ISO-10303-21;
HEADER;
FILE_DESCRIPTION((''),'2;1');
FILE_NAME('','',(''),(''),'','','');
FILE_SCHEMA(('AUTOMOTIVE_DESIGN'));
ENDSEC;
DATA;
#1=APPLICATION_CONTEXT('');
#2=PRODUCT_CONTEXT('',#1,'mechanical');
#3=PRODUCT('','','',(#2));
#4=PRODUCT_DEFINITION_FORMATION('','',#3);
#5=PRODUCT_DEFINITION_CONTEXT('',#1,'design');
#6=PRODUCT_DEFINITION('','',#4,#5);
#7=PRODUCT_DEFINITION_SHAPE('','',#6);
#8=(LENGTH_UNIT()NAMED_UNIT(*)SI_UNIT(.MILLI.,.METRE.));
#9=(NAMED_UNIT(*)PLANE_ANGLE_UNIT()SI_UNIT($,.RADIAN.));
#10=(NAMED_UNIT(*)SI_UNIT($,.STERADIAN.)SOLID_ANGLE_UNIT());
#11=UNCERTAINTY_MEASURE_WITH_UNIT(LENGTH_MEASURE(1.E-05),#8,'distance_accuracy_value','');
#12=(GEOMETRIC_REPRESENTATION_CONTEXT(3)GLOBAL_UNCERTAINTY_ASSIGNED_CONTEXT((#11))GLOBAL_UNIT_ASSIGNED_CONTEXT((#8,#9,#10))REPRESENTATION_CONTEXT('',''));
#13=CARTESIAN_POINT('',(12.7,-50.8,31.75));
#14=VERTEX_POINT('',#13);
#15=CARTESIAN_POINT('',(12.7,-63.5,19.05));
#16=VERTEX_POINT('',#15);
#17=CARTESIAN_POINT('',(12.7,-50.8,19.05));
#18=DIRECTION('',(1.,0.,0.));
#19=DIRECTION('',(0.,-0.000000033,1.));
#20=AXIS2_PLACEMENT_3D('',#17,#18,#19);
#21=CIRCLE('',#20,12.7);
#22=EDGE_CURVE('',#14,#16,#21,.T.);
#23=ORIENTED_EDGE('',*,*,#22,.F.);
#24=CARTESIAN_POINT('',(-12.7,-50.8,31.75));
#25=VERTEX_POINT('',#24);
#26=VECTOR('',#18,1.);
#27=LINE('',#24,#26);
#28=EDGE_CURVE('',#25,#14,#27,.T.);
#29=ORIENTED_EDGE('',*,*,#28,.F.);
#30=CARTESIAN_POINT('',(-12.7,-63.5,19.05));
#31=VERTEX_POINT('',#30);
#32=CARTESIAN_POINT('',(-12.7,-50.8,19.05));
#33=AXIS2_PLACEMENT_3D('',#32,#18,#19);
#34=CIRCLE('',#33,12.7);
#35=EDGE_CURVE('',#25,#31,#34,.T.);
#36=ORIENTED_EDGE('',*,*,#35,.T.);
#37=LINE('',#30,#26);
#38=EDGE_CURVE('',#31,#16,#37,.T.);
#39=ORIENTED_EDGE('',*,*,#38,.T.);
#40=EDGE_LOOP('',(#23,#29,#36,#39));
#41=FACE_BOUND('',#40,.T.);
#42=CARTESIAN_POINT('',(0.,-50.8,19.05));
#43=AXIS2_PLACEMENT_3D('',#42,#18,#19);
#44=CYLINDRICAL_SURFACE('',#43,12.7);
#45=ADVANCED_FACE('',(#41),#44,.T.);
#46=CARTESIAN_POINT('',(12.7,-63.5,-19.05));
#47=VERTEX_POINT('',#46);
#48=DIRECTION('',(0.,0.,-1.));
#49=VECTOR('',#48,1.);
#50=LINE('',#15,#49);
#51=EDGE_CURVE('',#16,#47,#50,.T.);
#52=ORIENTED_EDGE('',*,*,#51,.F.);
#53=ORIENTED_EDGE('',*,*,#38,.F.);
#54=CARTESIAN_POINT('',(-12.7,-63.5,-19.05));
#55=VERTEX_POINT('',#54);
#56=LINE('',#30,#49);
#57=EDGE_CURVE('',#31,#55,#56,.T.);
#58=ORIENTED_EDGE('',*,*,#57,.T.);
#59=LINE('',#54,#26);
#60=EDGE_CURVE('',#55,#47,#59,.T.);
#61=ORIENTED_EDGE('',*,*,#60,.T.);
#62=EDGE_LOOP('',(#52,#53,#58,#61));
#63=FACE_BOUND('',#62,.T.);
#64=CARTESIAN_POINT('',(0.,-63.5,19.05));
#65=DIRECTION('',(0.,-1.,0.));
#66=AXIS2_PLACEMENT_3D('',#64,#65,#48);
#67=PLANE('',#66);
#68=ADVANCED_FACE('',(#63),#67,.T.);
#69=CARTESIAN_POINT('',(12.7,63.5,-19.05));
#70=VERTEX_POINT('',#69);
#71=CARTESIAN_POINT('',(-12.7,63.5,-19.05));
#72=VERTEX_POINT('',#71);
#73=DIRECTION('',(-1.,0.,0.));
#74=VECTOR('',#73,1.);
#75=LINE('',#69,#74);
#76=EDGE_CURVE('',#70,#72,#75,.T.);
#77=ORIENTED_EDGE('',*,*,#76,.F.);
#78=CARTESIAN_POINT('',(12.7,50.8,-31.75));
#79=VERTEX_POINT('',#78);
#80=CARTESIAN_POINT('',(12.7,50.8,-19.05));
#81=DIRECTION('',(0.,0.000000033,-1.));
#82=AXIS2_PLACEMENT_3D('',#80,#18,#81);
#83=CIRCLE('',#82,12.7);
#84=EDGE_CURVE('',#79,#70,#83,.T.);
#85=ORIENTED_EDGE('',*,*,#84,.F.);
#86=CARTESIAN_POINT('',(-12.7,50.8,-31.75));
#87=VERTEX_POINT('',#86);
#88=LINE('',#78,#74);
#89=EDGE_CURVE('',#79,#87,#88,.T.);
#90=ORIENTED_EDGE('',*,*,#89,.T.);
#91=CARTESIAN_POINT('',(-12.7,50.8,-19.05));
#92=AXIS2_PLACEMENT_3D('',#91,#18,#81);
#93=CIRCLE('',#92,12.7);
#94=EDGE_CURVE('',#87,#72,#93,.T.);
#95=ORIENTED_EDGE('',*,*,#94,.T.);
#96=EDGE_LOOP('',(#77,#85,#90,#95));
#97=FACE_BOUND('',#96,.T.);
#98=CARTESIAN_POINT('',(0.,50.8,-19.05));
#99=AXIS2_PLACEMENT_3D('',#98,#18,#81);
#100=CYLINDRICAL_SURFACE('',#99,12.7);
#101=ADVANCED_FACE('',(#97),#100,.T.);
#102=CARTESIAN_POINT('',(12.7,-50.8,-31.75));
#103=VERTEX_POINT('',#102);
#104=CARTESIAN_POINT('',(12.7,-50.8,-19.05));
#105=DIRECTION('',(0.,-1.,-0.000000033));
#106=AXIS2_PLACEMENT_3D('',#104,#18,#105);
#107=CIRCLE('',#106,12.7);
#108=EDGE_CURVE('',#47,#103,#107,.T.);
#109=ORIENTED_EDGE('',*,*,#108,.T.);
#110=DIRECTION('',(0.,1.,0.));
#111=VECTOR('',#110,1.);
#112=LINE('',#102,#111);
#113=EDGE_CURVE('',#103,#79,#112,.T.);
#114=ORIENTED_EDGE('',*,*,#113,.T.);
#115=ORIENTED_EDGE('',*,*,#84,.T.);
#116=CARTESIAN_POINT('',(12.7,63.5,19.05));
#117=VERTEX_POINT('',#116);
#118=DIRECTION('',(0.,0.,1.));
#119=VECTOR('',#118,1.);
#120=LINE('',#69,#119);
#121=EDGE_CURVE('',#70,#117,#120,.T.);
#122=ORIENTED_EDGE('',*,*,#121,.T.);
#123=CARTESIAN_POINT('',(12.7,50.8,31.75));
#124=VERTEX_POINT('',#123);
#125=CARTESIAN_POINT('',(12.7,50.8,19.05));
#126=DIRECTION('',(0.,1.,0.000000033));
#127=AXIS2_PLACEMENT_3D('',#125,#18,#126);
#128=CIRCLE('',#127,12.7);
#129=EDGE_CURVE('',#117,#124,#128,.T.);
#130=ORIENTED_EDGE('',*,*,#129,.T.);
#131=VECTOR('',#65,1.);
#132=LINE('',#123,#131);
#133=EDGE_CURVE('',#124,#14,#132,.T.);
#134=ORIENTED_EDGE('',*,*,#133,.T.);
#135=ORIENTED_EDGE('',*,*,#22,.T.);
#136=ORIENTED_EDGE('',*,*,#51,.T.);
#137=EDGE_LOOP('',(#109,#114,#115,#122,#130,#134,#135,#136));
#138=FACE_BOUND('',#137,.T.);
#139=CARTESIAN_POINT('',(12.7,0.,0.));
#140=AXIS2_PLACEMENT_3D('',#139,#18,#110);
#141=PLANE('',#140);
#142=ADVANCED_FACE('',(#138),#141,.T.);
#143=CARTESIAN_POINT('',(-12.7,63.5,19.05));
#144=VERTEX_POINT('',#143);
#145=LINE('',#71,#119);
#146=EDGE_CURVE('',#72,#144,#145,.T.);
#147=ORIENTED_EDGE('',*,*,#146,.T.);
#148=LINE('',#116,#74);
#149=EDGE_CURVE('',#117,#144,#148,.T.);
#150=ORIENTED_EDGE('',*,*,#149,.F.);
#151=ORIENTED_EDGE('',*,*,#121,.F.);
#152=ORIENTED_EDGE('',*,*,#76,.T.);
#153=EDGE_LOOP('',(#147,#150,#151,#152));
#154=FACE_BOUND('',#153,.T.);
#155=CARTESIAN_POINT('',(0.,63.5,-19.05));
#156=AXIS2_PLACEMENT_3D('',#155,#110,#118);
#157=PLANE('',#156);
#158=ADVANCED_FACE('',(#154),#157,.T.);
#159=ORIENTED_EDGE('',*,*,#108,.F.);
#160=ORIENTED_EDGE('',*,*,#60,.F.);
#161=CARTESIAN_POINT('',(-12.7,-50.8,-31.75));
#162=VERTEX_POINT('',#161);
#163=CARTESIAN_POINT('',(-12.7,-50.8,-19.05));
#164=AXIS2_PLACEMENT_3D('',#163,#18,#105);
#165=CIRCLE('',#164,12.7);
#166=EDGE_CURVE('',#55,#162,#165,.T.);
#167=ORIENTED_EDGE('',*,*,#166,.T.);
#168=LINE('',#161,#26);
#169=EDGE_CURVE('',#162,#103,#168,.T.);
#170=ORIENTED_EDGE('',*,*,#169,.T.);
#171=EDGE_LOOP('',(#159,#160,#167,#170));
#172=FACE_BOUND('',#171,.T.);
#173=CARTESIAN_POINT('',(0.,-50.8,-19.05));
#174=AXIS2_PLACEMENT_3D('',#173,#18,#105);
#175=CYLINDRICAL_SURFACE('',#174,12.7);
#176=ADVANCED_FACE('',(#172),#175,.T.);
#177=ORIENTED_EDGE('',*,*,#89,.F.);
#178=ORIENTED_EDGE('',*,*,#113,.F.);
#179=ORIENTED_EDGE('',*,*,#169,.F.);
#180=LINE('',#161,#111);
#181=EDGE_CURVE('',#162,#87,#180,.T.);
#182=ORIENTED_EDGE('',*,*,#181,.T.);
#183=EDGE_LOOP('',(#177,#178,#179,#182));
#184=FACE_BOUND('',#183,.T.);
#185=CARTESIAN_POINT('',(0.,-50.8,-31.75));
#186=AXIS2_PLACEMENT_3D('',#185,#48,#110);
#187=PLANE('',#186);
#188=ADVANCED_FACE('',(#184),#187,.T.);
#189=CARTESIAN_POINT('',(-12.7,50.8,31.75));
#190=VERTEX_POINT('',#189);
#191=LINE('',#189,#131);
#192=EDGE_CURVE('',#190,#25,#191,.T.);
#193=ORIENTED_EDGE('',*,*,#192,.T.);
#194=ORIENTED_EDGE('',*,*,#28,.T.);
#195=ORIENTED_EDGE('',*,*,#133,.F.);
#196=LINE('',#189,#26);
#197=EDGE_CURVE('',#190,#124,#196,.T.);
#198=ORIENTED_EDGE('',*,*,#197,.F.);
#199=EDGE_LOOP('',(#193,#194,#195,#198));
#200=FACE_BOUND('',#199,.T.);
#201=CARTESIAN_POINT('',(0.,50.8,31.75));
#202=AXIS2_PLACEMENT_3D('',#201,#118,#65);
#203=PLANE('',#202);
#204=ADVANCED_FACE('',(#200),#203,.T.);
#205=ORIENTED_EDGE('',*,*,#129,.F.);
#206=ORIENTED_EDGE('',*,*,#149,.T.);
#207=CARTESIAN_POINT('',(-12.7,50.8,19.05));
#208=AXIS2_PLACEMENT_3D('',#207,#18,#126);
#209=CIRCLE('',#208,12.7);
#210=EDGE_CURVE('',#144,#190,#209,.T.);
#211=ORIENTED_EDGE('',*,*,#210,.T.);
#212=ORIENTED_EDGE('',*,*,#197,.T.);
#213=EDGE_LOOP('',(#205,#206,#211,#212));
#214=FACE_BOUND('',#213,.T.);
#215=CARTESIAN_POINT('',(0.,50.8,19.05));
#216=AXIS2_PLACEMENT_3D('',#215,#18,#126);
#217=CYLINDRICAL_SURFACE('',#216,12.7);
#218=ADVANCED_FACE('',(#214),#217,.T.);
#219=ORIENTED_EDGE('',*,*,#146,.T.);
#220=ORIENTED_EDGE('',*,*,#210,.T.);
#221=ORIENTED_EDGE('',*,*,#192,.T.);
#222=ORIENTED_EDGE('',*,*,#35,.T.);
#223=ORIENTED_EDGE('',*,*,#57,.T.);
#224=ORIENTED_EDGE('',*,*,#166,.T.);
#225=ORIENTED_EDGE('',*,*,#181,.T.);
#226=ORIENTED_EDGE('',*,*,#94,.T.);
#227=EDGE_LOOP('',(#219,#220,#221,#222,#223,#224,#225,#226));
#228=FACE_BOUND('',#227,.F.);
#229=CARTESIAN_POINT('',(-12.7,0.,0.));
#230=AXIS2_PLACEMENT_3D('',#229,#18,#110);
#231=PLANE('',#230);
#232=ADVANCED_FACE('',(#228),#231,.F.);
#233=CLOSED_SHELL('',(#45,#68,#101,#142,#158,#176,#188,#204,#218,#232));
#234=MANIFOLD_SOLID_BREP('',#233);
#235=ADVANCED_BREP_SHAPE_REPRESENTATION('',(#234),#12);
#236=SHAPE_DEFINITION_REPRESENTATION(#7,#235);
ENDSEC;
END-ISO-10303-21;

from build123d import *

# Parameters (mm, degrees)
F1_DEPTH = 12.7


with BuildPart() as f1:
    # F0 (on Right) → F1 (new body, symmetric)
    with BuildSketch(Plane.YZ):
        with BuildLine():
            ThreePointArc((63.5, 19.05), (59.780256, 28.030256), (50.8, 31.75))
            Line((50.8, 31.75), (-50.8, 31.75))
            ThreePointArc((-50.8, 31.75), (-59.780256, 28.030256), (-63.5, 19.05))
            Line((-63.5, 19.05), (-63.5, -19.05))
            ThreePointArc((-63.5, -19.05), (-59.780256, -28.030256), (-50.8, -31.75))
            Line((-50.8, -31.75), (50.8, -31.75))
            ThreePointArc((50.8, -31.75), (59.780256, -28.030256), (63.5, -19.05))
            Line((63.5, -19.05), (63.5, 19.05))
        make_face()
    extrude(amount=F1_DEPTH, both=True)


solid = f1.part
